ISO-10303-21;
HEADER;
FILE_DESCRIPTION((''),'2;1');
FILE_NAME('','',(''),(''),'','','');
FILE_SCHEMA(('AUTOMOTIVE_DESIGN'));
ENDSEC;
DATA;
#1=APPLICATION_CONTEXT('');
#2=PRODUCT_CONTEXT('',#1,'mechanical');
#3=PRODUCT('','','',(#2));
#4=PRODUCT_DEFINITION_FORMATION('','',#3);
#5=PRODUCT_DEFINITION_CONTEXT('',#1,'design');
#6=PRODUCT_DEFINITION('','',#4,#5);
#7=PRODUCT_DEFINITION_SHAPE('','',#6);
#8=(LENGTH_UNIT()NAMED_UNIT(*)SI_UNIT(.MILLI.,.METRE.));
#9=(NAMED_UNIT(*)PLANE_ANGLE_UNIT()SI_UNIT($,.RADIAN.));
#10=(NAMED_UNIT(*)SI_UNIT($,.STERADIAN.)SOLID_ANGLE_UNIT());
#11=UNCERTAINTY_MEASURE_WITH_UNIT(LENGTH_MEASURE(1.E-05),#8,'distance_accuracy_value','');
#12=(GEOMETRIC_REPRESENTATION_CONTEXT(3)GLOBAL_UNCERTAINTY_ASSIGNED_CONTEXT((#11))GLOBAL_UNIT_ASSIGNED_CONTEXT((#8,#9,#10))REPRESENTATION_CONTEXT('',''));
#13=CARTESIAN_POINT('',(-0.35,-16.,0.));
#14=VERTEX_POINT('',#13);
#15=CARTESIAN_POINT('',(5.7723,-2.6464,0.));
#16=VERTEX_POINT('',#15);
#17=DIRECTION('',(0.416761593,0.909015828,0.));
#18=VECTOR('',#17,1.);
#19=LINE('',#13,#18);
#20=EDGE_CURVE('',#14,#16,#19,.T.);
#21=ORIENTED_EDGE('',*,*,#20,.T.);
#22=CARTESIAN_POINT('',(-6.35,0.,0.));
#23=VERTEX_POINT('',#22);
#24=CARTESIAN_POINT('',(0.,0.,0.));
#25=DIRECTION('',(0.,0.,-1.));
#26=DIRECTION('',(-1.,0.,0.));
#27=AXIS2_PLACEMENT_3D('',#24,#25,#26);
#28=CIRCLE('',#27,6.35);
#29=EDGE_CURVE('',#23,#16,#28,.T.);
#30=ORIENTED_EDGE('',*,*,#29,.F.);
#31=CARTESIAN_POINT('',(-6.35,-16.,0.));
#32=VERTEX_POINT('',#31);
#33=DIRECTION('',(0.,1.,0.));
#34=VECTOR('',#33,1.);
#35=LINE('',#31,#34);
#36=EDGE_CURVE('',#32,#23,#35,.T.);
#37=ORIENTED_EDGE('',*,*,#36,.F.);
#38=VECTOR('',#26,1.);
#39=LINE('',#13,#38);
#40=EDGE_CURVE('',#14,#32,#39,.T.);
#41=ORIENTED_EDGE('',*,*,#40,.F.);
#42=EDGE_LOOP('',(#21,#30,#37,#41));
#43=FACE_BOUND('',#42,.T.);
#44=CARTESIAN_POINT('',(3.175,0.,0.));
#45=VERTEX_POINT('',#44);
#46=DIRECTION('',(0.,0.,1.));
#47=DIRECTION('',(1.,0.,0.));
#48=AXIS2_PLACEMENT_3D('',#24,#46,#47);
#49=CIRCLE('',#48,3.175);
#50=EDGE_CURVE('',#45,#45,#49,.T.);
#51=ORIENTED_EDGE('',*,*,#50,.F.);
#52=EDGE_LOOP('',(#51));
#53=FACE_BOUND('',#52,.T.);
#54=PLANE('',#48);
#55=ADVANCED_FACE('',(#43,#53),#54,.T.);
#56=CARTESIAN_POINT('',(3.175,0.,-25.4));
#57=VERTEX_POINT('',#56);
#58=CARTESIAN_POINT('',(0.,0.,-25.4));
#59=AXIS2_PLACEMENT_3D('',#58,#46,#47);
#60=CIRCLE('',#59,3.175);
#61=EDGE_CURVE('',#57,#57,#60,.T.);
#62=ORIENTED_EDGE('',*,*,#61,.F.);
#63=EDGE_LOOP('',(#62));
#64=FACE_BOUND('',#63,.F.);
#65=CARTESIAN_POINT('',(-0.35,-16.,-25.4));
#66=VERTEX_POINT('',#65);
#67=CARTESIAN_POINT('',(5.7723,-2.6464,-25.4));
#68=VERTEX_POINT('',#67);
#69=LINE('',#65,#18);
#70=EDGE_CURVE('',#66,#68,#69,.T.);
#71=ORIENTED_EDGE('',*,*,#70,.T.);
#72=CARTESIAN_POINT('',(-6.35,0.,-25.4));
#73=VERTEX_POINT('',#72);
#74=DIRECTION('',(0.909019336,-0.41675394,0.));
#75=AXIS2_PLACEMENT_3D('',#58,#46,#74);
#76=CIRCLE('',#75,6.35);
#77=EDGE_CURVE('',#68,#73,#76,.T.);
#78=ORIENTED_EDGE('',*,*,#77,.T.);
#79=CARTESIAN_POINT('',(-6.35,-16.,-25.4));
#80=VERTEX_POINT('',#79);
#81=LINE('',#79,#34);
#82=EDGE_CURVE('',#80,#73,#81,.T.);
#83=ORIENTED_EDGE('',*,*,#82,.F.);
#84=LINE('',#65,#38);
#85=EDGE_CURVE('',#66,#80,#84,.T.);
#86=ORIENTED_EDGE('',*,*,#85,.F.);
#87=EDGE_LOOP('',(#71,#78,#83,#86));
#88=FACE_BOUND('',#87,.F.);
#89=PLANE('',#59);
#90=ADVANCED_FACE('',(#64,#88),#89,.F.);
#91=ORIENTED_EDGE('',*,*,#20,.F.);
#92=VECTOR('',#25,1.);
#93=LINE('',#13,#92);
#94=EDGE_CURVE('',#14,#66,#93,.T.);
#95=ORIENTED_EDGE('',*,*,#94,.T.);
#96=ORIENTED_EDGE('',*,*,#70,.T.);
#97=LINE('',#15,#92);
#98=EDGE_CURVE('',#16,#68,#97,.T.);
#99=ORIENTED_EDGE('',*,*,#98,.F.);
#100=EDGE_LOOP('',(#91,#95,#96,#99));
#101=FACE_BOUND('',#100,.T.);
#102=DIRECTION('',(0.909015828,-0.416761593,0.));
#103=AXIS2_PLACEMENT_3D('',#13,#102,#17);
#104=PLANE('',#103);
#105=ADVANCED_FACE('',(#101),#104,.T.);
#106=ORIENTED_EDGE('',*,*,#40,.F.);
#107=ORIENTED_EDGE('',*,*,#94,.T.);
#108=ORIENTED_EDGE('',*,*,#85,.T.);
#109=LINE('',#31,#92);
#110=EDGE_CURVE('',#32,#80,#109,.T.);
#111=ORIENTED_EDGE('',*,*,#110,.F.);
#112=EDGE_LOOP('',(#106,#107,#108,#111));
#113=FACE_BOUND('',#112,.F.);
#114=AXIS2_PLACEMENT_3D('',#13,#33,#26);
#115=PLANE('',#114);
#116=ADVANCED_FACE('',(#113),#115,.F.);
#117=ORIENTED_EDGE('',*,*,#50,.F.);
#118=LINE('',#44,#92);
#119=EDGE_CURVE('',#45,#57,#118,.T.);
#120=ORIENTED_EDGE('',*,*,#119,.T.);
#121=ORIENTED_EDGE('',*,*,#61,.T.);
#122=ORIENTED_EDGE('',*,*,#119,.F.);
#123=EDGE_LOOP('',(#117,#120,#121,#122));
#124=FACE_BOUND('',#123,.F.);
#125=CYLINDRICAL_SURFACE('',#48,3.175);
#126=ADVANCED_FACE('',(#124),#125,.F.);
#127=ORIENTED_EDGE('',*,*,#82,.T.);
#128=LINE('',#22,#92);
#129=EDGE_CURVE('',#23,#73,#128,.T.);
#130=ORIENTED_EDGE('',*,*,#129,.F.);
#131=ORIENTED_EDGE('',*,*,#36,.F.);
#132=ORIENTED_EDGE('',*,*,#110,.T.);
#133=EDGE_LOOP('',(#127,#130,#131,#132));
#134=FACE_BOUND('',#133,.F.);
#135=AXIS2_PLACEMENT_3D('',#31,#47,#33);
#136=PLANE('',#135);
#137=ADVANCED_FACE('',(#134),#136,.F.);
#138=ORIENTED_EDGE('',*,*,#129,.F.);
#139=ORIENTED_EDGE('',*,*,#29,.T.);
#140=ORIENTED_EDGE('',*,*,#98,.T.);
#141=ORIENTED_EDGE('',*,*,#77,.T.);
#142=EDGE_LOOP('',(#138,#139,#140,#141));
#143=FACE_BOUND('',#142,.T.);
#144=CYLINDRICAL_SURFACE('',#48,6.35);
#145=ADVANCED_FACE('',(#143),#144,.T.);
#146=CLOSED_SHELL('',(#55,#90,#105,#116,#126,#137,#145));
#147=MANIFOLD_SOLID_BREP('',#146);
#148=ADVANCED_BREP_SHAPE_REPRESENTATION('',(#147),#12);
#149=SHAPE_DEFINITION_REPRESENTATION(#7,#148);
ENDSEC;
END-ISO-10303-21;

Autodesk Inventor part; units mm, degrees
ref_plane "YZ Plane" through (0, 0, 0) normal (1, 0, 0) x (0, 1, 0)
ref_plane "XZ Plane" through (0, 0, 0) normal (0, 1, 0) x (-1, 0, 0)
ref_plane "XY Plane" through (0, 0, 0) normal (0, 0, 1) x (1, 0, 0)
sketch "Sketch1" plane through (0, 0, 0) normal (0, 0, 1) x (1, 0, 0)
  circle A0 centre (0, 0) radius 3.175
  circle A1 centre (0, 0) radius 6.35
  line L0 (-0.35, -16) -> (-6.35, -16)
  line L1 (-6.35, -16) -> (-6.35, 0)
  line L2 (-0.35, -16) -> (5.7723, -2.6464)
  dimension "d0" = 6.35
  dimension "d1" = 12.7
  dimension "d29" = 6
extrude "Extrusion1" add sketch "Sketch1" against normal blind 25.4
properties part number "Servo Mount"
